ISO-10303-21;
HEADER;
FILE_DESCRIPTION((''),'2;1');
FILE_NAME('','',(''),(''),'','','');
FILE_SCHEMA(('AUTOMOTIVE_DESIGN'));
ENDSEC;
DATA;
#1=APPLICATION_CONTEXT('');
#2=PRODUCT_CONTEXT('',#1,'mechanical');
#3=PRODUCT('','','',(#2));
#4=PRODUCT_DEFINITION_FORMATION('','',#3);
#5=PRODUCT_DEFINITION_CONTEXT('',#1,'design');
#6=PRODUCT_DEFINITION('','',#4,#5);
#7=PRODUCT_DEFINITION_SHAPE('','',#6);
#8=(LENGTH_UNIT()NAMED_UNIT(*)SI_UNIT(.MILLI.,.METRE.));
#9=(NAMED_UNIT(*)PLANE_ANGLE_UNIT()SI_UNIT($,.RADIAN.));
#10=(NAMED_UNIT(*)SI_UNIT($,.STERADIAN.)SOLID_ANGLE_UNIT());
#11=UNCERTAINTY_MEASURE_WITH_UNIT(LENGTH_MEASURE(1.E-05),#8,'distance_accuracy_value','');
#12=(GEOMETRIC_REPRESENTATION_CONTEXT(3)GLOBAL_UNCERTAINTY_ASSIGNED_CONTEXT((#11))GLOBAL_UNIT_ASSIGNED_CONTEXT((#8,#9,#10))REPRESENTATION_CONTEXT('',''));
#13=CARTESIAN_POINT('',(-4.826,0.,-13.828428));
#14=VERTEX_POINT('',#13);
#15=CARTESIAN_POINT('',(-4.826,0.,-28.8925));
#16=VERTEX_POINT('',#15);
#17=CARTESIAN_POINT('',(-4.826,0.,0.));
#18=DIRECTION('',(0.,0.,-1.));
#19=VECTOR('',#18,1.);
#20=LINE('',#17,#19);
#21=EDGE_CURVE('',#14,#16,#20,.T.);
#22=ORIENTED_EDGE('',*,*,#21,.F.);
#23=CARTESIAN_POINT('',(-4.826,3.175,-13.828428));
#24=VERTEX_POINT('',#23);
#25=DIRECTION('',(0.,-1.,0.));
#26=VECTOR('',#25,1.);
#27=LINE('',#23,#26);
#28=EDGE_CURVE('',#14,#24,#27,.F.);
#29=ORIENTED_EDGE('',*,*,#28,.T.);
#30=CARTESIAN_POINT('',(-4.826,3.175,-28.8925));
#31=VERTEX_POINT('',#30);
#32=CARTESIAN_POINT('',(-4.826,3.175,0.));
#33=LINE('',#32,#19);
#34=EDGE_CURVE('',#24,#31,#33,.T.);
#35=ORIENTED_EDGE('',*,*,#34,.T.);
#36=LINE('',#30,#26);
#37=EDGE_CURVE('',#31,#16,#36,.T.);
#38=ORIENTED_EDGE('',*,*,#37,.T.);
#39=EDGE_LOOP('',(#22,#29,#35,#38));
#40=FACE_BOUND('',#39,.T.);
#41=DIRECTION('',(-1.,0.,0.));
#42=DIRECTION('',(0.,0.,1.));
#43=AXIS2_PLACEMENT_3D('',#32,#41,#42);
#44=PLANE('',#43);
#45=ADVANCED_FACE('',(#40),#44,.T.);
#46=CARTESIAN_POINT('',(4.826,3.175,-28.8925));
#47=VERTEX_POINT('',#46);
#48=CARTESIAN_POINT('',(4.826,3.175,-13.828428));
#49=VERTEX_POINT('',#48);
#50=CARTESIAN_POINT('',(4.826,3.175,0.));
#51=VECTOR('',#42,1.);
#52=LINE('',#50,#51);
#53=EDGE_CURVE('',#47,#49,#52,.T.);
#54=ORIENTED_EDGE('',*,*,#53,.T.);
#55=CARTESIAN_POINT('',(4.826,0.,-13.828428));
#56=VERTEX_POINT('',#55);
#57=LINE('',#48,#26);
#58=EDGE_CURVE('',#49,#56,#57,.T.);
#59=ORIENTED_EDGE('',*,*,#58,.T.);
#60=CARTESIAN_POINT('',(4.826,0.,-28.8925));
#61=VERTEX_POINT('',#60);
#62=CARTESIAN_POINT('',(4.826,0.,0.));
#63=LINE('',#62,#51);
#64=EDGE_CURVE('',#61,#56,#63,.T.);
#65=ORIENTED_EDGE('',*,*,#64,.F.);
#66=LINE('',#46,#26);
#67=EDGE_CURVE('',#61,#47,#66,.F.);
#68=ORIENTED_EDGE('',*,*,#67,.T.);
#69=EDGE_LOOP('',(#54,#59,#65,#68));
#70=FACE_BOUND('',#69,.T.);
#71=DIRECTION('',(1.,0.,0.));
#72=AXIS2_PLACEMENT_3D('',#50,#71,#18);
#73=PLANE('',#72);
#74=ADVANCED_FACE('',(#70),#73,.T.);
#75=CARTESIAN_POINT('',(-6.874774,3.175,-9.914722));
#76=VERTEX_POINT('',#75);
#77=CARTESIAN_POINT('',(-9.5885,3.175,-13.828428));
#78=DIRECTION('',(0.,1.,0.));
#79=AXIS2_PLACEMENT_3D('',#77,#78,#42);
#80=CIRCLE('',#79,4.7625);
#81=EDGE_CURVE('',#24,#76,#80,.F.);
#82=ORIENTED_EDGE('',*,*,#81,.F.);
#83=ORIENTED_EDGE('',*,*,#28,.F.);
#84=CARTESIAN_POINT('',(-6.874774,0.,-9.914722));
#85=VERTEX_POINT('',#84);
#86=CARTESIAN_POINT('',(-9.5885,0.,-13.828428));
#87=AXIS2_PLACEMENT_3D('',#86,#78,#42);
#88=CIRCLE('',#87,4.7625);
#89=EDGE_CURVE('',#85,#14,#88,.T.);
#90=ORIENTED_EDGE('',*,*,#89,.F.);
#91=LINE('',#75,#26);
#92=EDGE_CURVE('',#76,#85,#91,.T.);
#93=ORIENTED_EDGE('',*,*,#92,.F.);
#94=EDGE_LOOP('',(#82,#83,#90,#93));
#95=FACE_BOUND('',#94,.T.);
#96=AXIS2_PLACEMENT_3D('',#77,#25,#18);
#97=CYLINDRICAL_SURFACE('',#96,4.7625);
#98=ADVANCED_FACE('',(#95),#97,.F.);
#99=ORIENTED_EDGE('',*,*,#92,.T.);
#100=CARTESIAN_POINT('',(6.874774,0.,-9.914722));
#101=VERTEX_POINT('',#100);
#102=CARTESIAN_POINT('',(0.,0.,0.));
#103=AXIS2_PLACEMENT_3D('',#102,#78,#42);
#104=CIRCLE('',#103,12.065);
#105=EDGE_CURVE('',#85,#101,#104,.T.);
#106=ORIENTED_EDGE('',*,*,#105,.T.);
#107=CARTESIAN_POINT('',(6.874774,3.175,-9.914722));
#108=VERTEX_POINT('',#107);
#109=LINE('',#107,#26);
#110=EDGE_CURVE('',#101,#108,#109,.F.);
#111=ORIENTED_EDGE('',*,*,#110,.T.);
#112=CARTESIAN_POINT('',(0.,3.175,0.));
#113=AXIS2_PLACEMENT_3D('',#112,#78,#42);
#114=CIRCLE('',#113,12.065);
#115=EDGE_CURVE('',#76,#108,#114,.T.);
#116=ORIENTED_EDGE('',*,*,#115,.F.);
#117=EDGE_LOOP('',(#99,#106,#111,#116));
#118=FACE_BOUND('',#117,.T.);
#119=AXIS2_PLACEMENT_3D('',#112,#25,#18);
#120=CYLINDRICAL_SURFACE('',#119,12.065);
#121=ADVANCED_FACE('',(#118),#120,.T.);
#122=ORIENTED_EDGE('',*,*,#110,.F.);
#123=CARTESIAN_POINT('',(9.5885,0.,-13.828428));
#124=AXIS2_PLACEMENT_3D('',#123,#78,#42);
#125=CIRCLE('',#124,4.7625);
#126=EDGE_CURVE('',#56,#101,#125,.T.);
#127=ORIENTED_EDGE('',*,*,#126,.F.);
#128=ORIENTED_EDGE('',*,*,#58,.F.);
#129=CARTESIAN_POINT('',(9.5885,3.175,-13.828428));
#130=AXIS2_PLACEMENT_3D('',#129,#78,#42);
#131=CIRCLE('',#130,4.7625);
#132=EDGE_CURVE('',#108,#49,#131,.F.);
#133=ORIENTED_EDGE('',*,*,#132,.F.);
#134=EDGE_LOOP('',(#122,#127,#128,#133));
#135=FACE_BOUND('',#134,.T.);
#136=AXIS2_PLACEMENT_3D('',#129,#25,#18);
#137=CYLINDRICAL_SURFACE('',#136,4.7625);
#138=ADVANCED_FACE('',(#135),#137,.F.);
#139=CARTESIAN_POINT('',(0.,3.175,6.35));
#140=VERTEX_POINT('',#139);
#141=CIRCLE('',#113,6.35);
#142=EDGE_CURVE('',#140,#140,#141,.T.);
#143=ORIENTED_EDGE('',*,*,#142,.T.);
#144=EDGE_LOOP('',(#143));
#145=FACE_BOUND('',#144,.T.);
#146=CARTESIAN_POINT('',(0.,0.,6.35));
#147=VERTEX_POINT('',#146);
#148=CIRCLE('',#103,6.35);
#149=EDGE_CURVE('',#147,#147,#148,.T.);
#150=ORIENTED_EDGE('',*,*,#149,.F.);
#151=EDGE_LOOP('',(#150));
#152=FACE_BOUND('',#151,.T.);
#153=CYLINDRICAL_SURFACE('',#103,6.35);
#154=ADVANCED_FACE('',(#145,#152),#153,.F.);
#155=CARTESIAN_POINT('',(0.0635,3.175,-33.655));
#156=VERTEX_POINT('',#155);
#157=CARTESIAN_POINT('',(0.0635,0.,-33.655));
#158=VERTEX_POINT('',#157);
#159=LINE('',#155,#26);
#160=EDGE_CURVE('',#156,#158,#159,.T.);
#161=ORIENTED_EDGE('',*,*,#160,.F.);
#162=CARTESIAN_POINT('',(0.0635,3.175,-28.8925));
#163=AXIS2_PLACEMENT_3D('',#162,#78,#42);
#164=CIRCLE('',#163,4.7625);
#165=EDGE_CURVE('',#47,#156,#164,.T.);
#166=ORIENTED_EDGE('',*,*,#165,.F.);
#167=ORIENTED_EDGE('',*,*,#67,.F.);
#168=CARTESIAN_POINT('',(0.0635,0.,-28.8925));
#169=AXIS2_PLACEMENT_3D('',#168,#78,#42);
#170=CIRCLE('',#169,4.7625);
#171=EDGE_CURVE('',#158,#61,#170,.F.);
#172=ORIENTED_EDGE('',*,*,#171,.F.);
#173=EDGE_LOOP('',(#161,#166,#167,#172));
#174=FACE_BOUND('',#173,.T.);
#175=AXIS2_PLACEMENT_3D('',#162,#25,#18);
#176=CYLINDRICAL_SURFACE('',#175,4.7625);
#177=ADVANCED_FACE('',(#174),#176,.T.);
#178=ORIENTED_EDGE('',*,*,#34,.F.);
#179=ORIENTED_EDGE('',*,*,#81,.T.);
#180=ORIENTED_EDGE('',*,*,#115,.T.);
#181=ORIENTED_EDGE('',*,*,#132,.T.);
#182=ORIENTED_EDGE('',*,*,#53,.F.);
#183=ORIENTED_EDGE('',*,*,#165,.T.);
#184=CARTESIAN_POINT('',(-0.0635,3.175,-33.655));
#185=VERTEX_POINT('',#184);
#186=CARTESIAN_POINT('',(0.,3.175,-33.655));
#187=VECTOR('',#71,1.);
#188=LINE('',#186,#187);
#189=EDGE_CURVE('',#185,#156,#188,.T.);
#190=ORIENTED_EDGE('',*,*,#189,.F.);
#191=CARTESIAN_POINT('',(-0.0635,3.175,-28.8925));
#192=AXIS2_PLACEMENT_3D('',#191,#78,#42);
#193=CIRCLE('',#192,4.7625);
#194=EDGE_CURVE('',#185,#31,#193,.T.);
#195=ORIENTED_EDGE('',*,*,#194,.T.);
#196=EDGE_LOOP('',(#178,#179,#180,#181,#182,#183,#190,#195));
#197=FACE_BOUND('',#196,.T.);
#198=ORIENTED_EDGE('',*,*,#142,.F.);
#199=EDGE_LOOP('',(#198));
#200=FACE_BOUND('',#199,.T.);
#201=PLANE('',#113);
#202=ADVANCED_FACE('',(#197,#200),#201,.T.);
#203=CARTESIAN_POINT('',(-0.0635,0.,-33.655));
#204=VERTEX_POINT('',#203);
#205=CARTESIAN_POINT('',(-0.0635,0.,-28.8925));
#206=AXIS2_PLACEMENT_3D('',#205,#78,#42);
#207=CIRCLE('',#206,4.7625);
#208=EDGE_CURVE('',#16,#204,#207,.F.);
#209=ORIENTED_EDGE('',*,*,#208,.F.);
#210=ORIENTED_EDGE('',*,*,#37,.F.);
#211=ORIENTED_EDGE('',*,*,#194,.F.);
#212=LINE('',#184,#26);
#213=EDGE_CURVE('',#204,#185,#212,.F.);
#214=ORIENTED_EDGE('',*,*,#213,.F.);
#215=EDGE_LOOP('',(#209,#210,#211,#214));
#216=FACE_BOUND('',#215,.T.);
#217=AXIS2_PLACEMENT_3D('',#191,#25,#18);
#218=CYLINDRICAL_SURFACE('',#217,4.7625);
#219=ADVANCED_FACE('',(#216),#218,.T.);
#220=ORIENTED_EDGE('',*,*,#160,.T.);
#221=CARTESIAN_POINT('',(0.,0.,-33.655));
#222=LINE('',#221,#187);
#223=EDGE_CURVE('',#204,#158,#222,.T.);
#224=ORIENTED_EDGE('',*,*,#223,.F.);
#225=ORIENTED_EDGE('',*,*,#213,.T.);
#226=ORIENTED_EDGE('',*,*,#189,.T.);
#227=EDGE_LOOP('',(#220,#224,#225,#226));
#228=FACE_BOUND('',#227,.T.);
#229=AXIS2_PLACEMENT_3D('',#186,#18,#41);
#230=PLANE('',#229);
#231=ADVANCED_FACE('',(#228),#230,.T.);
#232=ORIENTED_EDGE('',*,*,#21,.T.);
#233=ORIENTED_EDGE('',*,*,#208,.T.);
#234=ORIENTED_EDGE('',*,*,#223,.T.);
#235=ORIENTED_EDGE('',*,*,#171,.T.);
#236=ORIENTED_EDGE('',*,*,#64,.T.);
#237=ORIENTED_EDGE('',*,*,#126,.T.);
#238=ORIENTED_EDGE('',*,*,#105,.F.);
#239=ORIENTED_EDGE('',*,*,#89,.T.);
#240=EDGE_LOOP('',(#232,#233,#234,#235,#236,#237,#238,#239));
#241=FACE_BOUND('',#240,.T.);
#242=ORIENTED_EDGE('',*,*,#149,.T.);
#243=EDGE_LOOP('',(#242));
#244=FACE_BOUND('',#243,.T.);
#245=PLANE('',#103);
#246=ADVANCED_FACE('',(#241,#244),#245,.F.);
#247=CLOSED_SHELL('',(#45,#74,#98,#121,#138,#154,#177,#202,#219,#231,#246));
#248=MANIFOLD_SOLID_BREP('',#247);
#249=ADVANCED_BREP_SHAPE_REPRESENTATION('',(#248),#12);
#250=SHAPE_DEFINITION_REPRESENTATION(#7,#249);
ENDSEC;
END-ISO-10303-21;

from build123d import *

# Parameters (mm, degrees)
BOSS_EXTRUDE1_DEPTH = 3.175
FILLET1_R           = 4.7625
SKETCH2_R           = 6.35
CUT_EXTRUDE1_DEPTH  = 36.892950213


with BuildPart() as part:
    # Sketch1 → Boss-Extrude1 (new body)
    with BuildSketch(Plane(origin=(0, 0, 0), x_dir=(1, 0, 0), z_dir=(0, 1, 0))):
        with BuildLine():
            ThreePointArc((-4.826, 11.057755152), (0, -12.065), (4.826, 11.057755152))
            Line((4.826, 11.057755152), (4.826, 33.655))
            Line((4.826, 33.655), (-4.826, 33.655))
            Line((-4.826, 33.655), (-4.826, 11.057755152))
        make_face()
    extrude(amount=BOSS_EXTRUDE1_DEPTH)

    # Fillet1
    fillet1_edges = [part.edges().sort_by_distance(p)[0] for p in [
        (4.826, 1.5875, -11.057755152),
        (-4.826, 1.5875, -11.057755152),
        (-4.826, 1.5875, -33.655),
        (4.826, 1.5875, -33.655),
    ]]
    fillet(fillet1_edges, radius=FILLET1_R)

    # Sketch2 → Cut-Extrude1 (cut, through all)
    with BuildSketch(Plane(origin=(0, 3.175, 0), x_dir=(1, 0, 0), z_dir=(0, 1, 0))):
        with Locations(Location((0, 0, 0), (0, 0, 270))):
            Circle(SKETCH2_R)
    extrude(amount=-CUT_EXTRUDE1_DEPTH, mode=Mode.SUBTRACT)


solid = part.part
